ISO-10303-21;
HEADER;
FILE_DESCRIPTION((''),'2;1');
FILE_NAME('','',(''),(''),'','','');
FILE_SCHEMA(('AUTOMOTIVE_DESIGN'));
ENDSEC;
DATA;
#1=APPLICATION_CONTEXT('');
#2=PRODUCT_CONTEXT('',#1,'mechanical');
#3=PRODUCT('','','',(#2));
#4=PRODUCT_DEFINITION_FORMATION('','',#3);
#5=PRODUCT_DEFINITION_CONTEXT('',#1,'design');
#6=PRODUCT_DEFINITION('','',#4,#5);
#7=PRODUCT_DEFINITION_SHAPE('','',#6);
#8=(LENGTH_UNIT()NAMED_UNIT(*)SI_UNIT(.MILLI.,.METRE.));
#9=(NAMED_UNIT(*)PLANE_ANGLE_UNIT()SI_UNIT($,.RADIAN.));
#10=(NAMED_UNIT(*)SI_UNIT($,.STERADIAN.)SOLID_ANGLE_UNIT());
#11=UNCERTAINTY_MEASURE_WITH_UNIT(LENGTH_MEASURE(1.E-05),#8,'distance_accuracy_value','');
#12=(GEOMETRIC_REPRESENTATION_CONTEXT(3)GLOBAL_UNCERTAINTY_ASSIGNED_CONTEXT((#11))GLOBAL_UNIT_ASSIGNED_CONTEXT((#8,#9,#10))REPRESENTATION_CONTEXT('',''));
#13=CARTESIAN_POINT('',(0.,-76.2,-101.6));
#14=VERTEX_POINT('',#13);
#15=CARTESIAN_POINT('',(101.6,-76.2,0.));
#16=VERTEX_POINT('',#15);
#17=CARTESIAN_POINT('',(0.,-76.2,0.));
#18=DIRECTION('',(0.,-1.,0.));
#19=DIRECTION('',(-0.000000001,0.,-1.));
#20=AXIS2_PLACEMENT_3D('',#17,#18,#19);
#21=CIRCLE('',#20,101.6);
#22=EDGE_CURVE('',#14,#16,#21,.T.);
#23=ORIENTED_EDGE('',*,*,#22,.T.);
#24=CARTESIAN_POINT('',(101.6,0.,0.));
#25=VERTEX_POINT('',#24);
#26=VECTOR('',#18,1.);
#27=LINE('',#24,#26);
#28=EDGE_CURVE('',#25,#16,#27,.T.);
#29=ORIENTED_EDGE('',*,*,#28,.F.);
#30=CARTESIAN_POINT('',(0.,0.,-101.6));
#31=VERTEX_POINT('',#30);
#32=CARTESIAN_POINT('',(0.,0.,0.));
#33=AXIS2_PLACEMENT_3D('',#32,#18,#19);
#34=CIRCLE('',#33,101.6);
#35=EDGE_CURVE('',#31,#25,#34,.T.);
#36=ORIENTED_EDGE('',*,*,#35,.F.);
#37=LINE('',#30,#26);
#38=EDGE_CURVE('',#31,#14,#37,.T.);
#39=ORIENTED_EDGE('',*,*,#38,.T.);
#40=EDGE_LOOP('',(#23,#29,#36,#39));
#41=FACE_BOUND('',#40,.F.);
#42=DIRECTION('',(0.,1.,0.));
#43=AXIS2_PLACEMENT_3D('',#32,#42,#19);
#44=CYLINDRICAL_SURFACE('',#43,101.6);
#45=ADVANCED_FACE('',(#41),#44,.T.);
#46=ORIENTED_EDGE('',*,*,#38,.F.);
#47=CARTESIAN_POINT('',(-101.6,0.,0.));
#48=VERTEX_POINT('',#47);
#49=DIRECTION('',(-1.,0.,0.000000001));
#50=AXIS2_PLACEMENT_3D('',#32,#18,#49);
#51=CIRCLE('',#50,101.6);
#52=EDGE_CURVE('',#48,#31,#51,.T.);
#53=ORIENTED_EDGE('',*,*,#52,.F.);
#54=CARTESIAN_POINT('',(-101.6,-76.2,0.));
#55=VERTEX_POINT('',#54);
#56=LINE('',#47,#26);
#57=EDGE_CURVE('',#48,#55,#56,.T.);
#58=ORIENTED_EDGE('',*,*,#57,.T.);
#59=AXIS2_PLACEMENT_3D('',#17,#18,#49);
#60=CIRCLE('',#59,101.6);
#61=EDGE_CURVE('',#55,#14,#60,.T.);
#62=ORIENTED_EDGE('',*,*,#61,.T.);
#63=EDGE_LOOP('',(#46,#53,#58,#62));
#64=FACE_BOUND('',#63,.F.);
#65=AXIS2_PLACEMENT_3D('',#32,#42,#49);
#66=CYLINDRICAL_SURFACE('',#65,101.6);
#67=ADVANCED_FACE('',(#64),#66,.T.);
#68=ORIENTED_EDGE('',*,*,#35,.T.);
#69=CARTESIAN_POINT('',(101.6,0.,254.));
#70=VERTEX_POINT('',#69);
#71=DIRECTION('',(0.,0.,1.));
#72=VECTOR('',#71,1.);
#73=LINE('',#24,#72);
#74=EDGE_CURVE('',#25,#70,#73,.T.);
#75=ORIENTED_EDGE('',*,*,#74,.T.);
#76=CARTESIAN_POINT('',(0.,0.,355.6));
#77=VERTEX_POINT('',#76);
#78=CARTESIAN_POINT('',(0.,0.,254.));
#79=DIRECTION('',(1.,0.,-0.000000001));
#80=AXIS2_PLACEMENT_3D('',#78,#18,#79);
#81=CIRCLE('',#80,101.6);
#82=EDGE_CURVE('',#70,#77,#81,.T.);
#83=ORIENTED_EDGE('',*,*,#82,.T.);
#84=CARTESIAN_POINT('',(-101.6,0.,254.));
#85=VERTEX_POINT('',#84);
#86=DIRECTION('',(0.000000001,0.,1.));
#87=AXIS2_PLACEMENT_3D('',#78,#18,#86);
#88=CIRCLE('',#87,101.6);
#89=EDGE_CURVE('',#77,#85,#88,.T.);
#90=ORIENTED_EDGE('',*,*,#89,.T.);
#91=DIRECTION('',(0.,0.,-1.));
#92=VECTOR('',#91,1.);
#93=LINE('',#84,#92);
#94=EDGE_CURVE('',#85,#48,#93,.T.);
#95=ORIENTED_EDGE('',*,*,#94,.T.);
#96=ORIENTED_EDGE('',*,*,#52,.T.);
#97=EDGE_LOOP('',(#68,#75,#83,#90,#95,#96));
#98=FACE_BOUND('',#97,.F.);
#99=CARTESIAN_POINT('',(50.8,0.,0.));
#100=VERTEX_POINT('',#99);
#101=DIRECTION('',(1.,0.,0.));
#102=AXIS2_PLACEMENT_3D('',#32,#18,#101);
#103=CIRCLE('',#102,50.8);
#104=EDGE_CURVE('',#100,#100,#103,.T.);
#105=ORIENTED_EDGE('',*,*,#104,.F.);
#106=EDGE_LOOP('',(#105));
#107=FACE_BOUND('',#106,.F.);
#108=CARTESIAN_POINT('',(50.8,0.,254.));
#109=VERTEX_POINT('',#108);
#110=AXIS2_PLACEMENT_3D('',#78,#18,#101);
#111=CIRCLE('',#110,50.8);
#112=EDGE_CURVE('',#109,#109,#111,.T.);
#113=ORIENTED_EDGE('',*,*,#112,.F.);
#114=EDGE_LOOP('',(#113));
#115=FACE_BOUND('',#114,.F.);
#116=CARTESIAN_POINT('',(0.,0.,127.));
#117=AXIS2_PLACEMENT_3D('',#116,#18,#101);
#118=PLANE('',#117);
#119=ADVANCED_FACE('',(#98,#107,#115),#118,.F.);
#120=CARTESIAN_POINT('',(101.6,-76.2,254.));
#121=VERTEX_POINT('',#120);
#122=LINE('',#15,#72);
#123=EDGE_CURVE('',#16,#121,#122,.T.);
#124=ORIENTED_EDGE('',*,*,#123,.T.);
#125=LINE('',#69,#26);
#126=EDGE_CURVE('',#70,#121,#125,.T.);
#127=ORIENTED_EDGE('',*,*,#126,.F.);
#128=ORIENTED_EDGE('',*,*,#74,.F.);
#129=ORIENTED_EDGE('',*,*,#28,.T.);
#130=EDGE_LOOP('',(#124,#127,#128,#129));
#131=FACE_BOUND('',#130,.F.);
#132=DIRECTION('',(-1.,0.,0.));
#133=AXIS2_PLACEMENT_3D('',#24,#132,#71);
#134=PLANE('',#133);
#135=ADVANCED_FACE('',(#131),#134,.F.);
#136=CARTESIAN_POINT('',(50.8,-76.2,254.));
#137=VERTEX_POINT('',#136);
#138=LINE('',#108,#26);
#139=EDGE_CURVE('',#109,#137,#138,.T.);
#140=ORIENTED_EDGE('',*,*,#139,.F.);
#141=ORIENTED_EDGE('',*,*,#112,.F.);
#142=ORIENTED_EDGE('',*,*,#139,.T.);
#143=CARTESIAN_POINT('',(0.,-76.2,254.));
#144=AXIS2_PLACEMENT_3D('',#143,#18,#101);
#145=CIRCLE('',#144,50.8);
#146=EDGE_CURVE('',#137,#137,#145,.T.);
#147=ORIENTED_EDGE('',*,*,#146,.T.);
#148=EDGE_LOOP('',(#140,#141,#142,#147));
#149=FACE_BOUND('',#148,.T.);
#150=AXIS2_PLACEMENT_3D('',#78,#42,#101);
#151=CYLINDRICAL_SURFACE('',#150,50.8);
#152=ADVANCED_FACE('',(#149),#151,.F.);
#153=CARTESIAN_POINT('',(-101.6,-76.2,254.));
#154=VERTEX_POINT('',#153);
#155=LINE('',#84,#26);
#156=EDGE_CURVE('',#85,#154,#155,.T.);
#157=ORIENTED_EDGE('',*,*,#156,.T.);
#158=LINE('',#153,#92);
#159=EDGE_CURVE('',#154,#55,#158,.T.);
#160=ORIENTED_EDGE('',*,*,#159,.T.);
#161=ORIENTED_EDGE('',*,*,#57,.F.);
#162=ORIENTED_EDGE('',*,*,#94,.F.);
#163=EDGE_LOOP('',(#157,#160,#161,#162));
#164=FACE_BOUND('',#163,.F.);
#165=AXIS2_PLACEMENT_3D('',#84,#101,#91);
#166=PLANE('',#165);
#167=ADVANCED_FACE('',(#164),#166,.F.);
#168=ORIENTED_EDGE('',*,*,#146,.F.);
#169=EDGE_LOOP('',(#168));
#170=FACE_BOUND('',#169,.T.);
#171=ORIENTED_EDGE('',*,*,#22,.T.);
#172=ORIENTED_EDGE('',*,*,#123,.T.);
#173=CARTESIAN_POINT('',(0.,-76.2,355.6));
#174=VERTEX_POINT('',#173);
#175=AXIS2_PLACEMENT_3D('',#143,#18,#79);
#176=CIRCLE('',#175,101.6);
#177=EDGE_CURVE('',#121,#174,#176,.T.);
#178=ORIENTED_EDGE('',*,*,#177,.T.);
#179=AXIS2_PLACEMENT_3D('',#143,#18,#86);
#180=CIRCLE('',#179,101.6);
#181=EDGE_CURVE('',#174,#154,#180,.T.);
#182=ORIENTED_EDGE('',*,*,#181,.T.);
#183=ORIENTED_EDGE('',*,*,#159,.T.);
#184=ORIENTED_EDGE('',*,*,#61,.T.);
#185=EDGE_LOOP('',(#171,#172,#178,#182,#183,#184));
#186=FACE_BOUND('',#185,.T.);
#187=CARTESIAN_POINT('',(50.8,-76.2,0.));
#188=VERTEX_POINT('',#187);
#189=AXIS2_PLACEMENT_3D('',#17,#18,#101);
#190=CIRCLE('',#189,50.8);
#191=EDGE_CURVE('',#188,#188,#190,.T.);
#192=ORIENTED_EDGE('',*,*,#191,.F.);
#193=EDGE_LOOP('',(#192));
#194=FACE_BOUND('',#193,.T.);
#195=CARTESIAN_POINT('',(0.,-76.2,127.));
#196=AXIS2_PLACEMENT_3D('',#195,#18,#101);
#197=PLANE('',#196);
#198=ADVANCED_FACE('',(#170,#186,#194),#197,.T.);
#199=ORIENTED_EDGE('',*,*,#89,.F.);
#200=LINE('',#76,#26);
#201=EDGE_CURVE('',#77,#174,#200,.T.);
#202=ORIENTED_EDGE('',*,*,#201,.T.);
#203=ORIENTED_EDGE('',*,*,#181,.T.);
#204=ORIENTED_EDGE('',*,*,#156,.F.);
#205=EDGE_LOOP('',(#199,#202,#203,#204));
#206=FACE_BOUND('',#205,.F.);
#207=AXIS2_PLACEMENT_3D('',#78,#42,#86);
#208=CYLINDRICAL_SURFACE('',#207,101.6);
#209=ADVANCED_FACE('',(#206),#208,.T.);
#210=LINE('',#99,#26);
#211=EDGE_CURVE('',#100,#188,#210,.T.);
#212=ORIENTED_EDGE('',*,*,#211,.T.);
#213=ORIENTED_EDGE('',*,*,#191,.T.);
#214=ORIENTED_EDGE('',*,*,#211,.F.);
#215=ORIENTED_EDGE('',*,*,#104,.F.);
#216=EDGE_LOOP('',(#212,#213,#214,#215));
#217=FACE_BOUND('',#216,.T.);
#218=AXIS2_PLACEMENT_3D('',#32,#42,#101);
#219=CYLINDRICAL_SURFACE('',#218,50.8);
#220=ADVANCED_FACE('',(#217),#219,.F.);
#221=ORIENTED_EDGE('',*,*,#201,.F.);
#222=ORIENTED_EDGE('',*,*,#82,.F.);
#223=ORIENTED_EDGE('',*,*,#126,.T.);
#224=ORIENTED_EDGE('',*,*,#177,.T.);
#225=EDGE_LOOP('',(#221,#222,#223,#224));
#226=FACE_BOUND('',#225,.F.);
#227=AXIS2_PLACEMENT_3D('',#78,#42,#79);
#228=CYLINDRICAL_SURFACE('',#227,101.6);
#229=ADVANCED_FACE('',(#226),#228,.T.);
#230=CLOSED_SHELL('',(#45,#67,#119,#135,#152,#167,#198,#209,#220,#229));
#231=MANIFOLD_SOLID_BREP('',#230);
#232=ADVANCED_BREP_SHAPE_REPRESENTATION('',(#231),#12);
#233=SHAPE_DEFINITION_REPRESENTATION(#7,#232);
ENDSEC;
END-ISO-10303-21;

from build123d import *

# Parameters (mm, degrees)
F0_R     = 50.8
F1_DEPTH = 76.2


with BuildPart() as f1:
    # F0 (on Front) → F1 (new body)
    with BuildSketch(Plane.XZ):
        with BuildLine():
            Line((-101.6, 254), (-101.6, 0))
            ThreePointArc((-101.6, 0), (-71.842049, -71.842049), (0, -101.6))
            ThreePointArc((0, -101.6), (71.842049, -71.842049), (101.6, 0))
            Line((101.6, 0), (101.6, 254))
            ThreePointArc((101.6, 254), (71.842049, 325.842049), (0, 355.6))
            ThreePointArc((0, 355.6), (-71.842049, 325.842049), (-101.6, 254))
        make_face()
        Circle(F0_R, mode=Mode.SUBTRACT)
        with Locations((0, 254)):
            Circle(F0_R, mode=Mode.SUBTRACT)
    extrude(amount=F1_DEPTH)


solid = f1.part
